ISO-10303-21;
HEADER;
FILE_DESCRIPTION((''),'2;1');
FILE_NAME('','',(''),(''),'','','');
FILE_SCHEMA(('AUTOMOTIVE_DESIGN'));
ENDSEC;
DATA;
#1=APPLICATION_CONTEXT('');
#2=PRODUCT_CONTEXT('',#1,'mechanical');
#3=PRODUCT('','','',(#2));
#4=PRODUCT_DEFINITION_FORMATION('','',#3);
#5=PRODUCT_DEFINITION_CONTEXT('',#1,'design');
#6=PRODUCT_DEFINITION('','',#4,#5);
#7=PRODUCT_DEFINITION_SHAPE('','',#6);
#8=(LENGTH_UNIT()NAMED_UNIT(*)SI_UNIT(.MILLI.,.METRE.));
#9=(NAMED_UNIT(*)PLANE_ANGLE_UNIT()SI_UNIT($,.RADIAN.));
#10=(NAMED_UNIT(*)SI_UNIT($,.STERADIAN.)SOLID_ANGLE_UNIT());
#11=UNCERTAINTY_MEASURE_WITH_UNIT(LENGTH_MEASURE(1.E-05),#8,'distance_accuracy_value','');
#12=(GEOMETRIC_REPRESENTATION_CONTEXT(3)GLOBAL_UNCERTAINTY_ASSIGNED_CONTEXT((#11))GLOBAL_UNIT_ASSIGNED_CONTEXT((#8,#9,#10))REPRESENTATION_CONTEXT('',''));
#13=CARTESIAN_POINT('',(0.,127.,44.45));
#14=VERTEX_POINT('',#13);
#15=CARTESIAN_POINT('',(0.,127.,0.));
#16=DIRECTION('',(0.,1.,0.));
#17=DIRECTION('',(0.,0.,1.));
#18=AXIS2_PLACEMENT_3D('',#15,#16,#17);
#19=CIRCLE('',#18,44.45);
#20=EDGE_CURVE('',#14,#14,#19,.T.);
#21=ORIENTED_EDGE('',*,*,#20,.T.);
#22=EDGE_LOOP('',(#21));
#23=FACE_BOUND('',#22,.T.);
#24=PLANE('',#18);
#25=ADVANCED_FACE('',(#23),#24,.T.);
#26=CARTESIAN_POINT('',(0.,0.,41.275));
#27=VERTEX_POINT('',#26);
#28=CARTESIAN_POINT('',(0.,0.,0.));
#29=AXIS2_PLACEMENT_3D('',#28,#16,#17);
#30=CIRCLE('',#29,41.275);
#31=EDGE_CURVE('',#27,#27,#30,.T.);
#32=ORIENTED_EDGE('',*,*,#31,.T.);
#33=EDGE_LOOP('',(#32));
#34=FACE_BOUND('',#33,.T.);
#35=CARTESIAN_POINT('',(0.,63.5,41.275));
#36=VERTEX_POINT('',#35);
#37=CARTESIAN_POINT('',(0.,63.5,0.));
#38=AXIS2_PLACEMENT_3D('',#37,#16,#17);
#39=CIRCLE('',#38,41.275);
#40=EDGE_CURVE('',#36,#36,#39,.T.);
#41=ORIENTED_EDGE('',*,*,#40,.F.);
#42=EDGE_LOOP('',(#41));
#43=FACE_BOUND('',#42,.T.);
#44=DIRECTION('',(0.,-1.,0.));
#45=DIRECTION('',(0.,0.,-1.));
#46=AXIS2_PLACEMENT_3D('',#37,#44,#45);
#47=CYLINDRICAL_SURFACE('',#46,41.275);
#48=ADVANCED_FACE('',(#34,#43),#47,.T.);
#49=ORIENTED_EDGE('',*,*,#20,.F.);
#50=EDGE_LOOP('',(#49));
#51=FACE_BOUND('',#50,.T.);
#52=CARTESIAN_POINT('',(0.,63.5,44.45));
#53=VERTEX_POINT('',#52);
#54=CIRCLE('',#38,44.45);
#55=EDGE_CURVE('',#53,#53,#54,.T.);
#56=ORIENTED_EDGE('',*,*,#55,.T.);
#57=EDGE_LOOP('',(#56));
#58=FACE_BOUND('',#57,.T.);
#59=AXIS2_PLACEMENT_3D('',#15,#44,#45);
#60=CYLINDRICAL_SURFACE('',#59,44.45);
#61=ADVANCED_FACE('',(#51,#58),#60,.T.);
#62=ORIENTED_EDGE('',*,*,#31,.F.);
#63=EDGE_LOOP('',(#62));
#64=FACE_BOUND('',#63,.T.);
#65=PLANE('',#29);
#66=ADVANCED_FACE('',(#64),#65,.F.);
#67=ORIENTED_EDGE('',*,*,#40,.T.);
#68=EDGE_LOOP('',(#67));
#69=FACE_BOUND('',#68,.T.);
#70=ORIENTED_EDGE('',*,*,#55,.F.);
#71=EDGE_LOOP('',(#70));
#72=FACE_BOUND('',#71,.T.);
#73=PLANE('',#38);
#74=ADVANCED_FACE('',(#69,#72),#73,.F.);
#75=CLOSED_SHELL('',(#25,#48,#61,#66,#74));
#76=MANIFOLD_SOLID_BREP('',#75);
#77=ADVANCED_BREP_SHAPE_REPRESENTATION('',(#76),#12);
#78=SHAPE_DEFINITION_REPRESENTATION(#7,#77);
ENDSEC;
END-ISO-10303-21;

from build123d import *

# Parameters (mm, degrees)
SKETCH1_R           = 41.275
BOSS_EXTRUDE1_DEPTH = 63.5
SKETCH2_R           = 44.45
BOSS_EXTRUDE2_DEPTH = 63.5


with BuildPart() as part:
    # Sketch1 → Boss-Extrude1 (new body)
    with BuildSketch(Plane(origin=(0, 0, 0), x_dir=(1, 0, 0), z_dir=(0, 1, 0))):
        Circle(SKETCH1_R)
    extrude(amount=BOSS_EXTRUDE1_DEPTH)

    # Sketch2 → Boss-Extrude2 (add)
    with BuildSketch(Plane(origin=(0, 63.5, 0), x_dir=(1, 0, 0), z_dir=(0, 1, 0))):
        Circle(SKETCH2_R)
    extrude(amount=BOSS_EXTRUDE2_DEPTH)


solid = part.part
